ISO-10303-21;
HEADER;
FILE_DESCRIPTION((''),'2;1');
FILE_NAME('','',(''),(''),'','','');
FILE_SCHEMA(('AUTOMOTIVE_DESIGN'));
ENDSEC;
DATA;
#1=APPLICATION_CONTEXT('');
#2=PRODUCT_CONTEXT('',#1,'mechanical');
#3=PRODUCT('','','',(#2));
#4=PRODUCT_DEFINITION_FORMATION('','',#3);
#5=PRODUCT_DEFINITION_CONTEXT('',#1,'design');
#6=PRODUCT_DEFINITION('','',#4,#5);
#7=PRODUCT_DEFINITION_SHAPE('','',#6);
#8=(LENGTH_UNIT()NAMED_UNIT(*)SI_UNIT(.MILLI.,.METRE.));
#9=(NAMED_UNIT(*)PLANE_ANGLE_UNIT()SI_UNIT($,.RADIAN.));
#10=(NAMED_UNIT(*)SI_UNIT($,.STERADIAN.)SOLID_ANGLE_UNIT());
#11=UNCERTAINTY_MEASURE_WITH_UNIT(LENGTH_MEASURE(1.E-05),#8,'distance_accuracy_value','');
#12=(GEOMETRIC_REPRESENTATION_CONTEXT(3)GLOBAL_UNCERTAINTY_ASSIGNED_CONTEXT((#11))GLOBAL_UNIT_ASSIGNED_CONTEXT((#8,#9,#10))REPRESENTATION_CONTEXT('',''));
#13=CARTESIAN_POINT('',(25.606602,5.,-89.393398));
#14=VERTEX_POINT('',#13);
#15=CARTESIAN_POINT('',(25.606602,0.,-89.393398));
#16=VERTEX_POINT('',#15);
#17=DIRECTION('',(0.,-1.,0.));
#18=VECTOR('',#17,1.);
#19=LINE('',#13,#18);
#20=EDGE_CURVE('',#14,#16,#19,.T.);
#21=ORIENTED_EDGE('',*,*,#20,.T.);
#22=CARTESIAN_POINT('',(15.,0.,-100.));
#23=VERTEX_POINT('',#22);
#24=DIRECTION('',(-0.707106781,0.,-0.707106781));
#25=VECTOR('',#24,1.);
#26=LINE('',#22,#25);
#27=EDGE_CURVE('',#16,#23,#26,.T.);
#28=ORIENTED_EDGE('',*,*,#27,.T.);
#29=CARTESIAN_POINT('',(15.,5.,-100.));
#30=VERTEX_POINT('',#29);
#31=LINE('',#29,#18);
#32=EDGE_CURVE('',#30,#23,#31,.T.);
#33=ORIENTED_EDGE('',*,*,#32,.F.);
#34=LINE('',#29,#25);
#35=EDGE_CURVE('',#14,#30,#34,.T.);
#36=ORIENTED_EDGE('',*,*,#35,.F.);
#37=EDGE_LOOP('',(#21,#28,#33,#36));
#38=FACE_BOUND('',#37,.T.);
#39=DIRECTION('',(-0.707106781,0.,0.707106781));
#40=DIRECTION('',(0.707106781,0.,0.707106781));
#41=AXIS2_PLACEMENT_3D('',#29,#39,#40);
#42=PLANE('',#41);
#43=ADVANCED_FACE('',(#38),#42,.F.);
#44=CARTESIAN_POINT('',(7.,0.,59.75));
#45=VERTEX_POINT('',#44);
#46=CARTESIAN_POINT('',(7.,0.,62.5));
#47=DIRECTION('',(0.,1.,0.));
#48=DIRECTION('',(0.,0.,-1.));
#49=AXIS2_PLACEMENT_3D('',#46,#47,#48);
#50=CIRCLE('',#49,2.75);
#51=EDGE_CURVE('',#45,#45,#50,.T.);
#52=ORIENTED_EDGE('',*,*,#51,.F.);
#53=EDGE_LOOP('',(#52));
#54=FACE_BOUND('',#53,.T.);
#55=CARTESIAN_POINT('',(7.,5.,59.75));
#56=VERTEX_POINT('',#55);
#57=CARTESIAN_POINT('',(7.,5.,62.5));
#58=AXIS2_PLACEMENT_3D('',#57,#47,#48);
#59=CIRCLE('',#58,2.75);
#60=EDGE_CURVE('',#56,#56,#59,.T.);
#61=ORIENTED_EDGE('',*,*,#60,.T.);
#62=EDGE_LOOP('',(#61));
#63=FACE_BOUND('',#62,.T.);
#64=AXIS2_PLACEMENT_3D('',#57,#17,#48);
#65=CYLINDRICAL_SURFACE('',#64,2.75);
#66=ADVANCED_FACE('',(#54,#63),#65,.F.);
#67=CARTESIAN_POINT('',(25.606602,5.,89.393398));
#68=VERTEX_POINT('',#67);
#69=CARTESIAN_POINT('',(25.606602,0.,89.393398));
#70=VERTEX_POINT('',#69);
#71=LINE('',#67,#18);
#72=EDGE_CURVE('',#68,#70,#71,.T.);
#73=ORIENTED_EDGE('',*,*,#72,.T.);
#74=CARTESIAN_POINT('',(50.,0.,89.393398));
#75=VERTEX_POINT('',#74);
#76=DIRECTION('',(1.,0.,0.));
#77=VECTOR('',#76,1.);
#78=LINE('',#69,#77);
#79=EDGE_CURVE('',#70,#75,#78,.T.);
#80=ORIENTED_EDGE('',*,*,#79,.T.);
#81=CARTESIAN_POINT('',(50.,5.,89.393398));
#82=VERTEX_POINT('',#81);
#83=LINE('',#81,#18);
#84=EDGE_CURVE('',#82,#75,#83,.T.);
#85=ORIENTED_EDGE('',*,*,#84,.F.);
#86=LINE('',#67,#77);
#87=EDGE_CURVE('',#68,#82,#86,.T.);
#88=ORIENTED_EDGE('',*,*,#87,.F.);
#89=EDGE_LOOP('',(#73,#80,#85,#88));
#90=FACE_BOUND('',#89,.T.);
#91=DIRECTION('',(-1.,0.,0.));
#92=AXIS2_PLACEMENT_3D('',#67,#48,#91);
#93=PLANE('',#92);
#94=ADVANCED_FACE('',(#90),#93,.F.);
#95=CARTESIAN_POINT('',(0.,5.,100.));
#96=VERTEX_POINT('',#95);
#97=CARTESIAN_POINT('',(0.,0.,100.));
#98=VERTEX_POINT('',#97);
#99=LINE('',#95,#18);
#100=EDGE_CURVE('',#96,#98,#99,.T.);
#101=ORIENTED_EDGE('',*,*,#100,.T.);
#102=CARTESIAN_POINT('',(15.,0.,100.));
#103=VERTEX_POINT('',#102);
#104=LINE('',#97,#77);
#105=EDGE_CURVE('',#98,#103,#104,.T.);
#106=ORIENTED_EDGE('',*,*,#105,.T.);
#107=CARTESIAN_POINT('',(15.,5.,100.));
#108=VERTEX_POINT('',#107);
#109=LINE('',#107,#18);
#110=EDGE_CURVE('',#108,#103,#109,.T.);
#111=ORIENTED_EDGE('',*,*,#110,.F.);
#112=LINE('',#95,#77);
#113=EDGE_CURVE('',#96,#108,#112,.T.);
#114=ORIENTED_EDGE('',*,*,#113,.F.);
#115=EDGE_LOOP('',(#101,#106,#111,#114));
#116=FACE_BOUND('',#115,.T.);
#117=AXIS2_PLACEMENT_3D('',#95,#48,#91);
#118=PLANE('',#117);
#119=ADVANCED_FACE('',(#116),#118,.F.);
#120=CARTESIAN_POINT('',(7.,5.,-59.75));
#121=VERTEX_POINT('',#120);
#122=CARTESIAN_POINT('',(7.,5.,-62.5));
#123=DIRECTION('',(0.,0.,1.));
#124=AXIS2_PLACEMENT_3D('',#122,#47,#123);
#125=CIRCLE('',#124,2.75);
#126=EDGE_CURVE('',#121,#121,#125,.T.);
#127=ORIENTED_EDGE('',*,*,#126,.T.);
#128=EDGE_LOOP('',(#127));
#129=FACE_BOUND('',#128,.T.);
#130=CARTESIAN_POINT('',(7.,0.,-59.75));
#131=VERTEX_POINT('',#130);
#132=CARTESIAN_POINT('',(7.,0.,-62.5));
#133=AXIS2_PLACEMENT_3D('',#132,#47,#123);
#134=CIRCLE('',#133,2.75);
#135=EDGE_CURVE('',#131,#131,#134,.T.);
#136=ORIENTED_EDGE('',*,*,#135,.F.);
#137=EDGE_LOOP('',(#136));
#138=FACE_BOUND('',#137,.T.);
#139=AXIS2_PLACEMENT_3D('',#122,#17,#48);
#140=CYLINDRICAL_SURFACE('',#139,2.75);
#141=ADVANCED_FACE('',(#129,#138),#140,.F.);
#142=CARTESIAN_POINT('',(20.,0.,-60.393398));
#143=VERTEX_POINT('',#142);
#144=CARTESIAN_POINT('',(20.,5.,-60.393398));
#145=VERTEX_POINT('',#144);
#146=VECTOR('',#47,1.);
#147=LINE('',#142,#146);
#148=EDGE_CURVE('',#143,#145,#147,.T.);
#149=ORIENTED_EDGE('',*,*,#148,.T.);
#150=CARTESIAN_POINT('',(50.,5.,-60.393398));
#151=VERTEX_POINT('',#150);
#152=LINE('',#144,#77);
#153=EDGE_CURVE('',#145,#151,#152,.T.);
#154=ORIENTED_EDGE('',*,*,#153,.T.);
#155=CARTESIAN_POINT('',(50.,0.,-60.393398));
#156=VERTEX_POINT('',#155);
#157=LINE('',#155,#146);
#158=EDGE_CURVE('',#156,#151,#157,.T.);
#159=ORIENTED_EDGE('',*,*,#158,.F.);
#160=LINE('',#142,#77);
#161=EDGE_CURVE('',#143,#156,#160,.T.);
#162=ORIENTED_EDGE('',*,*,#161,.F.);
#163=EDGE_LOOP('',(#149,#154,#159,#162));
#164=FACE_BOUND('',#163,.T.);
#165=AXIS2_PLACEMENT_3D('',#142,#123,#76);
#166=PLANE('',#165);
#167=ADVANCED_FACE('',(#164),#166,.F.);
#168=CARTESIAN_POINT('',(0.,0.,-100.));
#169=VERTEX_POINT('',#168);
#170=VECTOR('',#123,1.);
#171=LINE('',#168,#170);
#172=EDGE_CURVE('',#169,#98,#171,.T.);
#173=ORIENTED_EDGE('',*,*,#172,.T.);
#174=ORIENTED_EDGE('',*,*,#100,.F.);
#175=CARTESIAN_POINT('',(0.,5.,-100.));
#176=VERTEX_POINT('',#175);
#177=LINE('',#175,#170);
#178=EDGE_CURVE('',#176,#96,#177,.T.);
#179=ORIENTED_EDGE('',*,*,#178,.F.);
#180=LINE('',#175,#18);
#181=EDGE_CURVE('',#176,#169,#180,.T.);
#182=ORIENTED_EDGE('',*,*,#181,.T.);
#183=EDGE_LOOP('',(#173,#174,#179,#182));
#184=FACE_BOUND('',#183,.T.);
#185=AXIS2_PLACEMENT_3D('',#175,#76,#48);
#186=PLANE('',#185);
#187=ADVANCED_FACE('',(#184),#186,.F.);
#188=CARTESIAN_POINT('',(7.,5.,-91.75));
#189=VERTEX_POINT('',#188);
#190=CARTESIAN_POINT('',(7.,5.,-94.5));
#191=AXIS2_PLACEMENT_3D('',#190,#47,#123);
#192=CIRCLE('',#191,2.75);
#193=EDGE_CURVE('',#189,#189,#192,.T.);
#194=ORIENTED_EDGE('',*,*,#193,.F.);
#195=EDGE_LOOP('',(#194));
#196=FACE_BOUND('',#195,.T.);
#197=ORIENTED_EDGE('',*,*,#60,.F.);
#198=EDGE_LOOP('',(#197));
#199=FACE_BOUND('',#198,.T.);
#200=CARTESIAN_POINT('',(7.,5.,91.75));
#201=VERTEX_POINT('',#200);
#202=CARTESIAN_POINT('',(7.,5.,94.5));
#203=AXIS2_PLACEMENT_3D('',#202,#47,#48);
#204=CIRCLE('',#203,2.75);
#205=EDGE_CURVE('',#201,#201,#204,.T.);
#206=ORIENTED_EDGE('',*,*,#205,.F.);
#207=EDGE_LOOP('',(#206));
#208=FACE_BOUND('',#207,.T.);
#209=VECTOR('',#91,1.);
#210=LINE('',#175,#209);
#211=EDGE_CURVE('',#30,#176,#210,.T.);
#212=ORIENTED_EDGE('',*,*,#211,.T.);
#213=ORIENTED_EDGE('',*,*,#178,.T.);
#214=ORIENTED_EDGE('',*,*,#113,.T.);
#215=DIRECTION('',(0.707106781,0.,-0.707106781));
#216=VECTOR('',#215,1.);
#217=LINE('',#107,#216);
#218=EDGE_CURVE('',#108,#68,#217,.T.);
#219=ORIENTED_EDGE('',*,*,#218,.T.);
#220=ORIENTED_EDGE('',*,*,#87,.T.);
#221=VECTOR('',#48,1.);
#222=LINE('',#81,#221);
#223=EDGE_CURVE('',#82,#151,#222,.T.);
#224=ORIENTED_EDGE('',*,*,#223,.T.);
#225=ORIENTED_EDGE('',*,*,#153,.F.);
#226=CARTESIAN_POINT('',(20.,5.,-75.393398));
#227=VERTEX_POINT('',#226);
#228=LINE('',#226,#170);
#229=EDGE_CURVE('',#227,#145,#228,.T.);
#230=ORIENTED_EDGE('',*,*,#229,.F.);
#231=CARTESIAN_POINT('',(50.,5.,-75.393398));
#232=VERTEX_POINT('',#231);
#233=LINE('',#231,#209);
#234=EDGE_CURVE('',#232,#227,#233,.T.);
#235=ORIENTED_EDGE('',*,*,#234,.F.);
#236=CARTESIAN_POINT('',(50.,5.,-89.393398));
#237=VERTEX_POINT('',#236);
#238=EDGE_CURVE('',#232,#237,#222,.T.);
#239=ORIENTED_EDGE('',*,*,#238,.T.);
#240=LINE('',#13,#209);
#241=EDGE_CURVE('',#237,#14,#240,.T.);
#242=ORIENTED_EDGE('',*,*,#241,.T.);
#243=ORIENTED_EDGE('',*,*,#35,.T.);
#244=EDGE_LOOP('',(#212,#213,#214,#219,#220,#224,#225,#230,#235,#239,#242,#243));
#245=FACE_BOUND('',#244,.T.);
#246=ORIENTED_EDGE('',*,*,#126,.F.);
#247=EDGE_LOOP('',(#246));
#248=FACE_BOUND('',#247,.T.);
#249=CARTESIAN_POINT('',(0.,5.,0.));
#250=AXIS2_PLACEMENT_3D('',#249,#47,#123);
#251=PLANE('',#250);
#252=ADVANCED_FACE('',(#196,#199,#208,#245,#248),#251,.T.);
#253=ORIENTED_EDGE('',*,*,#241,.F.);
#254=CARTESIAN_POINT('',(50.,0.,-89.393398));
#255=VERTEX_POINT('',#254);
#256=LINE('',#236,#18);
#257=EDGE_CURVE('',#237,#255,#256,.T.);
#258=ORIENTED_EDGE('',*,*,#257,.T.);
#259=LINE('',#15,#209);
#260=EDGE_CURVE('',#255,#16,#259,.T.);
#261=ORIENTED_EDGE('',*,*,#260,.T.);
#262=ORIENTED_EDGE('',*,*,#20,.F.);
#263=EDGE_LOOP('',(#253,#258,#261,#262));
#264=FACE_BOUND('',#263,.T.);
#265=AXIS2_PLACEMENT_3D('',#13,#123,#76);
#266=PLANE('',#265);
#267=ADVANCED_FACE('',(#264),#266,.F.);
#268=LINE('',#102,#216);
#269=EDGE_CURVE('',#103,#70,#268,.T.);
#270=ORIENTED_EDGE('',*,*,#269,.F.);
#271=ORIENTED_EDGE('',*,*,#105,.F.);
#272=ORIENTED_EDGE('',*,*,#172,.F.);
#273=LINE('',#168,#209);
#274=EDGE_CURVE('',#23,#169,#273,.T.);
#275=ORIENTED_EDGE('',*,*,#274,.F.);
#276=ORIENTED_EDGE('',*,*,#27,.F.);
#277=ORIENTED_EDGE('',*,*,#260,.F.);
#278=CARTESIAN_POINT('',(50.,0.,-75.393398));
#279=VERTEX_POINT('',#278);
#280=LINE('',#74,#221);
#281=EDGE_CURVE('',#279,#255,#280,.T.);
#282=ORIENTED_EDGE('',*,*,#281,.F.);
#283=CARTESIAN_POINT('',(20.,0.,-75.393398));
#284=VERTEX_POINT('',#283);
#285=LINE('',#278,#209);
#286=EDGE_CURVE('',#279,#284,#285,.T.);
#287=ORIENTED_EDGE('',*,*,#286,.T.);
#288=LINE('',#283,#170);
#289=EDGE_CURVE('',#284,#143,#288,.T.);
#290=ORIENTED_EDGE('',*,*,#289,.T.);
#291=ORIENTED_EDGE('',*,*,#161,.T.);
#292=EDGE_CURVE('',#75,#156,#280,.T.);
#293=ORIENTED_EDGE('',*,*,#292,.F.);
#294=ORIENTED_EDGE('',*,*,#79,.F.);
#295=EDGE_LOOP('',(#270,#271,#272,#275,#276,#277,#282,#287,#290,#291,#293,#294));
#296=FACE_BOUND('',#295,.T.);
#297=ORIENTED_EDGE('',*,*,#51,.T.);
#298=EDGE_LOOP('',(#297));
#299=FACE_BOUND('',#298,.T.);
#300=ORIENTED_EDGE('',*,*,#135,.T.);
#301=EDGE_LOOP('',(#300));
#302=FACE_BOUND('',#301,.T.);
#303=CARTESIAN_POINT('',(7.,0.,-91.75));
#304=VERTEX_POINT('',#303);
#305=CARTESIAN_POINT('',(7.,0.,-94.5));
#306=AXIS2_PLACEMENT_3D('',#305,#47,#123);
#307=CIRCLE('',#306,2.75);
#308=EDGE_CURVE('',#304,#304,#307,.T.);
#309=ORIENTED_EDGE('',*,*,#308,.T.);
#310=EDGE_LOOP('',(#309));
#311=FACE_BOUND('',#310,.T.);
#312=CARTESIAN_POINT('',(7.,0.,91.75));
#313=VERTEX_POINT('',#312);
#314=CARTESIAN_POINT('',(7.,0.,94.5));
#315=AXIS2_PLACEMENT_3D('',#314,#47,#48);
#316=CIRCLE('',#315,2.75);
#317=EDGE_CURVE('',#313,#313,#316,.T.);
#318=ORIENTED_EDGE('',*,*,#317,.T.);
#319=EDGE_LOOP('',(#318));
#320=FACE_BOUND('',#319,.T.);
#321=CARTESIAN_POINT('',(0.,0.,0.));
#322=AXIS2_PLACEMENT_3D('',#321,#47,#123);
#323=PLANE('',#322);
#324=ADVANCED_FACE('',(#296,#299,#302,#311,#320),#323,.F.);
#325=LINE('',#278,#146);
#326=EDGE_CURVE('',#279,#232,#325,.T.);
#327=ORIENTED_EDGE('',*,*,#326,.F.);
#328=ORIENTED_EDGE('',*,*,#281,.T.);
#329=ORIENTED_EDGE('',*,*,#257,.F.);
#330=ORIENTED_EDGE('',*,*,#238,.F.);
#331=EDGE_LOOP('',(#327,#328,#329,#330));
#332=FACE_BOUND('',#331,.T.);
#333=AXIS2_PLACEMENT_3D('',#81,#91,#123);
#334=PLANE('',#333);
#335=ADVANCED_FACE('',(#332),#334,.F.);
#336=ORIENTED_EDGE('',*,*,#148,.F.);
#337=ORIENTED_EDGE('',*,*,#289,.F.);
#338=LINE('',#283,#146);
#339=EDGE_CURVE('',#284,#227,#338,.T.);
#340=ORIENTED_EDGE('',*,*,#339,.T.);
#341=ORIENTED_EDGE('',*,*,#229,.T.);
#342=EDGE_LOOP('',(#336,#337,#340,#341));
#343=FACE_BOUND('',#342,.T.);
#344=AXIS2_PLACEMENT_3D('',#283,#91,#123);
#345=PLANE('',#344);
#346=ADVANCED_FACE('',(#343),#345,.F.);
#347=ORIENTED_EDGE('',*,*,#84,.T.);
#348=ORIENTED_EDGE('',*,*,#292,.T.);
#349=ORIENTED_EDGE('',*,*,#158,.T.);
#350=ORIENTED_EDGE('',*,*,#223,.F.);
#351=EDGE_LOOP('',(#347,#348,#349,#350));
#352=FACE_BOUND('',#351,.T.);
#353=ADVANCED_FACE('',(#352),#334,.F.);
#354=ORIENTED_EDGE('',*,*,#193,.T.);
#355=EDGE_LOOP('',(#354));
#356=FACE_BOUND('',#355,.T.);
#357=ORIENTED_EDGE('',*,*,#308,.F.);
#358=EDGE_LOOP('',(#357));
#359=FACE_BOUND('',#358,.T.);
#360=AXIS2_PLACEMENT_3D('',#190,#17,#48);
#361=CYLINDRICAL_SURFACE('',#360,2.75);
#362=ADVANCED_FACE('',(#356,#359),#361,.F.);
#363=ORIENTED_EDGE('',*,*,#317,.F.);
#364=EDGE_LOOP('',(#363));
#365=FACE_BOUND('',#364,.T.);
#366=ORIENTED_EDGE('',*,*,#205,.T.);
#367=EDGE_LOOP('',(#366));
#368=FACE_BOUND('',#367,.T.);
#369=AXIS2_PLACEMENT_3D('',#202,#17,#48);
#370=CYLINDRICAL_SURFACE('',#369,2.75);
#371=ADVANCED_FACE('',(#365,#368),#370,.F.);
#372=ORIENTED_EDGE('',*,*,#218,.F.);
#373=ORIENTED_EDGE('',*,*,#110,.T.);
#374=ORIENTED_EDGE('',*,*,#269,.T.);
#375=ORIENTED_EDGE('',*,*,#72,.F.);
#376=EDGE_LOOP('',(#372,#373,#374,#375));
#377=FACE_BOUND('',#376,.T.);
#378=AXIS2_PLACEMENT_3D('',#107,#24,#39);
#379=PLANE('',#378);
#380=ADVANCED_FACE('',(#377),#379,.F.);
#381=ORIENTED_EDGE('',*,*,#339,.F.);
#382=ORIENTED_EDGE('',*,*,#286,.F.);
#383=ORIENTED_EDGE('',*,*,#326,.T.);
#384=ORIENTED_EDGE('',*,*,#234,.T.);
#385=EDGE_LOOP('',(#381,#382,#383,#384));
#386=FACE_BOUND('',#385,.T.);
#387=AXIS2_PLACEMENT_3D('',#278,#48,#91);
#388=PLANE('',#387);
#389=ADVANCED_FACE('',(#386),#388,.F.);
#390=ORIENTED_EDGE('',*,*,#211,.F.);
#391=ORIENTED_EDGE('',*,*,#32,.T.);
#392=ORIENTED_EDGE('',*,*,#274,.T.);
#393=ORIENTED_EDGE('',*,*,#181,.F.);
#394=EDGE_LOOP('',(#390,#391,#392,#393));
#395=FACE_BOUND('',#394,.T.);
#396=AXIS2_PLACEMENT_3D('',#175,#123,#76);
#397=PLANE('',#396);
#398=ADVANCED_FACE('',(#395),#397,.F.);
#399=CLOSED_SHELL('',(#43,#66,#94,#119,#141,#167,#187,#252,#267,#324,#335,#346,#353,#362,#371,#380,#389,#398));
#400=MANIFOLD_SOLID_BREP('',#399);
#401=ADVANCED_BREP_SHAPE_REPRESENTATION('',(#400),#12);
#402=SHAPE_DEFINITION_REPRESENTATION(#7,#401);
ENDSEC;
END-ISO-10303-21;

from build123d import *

# Parameters (mm, degrees)
ESQUISSE1_R             = 2.75
BOSS_EXTRU_1_DEPTH      = 5
ESQUISSE2_W             = 30
ESQUISSE2_H             = 15
ENL_V_MAT_EXTRU_1_DEPTH = 112.915146428


with BuildPart() as part:
    # Esquisse1 → Boss.-Extru.1 (new body)
    with BuildSketch(Plane(origin=(0, 0, 0), x_dir=(1, 0, 0), z_dir=(0, 1, 0))):
        Polygon((0, 100), (15, 100), (25.606601718, 89.393398282), (50, 89.393398282), (50, -89.393398282), (25.606601718, -89.393398282), (15, -100), (0, -100), align=None)
        with Locations(Location((7, 94.5, 0), (0, 0, 270))):
            Circle(ESQUISSE1_R, mode=Mode.SUBTRACT)
        with Locations(Location((7, 62.5, 0), (0, 0, 270))):
            Circle(ESQUISSE1_R, mode=Mode.SUBTRACT)
        with Locations(Location((7, -62.5, 0), (0, 0, 90))):
            Circle(ESQUISSE1_R, mode=Mode.SUBTRACT)
        with Locations(Location((7, -94.5, 0), (0, 0, 90))):
            Circle(ESQUISSE1_R, mode=Mode.SUBTRACT)
    extrude(amount=BOSS_EXTRU_1_DEPTH)

    # Esquisse2 → Enlèv. mat.-Extru.1 (cut, through all)
    with BuildSketch(Plane(origin=(0, 5, 0), x_dir=(1, 0, 0), z_dir=(0, 1, 0))):
        with Locations((35, 67.893398282)):
            Rectangle(ESQUISSE2_W, ESQUISSE2_H)
    extrude(amount=-ENL_V_MAT_EXTRU_1_DEPTH, mode=Mode.SUBTRACT)


solid = part.part
